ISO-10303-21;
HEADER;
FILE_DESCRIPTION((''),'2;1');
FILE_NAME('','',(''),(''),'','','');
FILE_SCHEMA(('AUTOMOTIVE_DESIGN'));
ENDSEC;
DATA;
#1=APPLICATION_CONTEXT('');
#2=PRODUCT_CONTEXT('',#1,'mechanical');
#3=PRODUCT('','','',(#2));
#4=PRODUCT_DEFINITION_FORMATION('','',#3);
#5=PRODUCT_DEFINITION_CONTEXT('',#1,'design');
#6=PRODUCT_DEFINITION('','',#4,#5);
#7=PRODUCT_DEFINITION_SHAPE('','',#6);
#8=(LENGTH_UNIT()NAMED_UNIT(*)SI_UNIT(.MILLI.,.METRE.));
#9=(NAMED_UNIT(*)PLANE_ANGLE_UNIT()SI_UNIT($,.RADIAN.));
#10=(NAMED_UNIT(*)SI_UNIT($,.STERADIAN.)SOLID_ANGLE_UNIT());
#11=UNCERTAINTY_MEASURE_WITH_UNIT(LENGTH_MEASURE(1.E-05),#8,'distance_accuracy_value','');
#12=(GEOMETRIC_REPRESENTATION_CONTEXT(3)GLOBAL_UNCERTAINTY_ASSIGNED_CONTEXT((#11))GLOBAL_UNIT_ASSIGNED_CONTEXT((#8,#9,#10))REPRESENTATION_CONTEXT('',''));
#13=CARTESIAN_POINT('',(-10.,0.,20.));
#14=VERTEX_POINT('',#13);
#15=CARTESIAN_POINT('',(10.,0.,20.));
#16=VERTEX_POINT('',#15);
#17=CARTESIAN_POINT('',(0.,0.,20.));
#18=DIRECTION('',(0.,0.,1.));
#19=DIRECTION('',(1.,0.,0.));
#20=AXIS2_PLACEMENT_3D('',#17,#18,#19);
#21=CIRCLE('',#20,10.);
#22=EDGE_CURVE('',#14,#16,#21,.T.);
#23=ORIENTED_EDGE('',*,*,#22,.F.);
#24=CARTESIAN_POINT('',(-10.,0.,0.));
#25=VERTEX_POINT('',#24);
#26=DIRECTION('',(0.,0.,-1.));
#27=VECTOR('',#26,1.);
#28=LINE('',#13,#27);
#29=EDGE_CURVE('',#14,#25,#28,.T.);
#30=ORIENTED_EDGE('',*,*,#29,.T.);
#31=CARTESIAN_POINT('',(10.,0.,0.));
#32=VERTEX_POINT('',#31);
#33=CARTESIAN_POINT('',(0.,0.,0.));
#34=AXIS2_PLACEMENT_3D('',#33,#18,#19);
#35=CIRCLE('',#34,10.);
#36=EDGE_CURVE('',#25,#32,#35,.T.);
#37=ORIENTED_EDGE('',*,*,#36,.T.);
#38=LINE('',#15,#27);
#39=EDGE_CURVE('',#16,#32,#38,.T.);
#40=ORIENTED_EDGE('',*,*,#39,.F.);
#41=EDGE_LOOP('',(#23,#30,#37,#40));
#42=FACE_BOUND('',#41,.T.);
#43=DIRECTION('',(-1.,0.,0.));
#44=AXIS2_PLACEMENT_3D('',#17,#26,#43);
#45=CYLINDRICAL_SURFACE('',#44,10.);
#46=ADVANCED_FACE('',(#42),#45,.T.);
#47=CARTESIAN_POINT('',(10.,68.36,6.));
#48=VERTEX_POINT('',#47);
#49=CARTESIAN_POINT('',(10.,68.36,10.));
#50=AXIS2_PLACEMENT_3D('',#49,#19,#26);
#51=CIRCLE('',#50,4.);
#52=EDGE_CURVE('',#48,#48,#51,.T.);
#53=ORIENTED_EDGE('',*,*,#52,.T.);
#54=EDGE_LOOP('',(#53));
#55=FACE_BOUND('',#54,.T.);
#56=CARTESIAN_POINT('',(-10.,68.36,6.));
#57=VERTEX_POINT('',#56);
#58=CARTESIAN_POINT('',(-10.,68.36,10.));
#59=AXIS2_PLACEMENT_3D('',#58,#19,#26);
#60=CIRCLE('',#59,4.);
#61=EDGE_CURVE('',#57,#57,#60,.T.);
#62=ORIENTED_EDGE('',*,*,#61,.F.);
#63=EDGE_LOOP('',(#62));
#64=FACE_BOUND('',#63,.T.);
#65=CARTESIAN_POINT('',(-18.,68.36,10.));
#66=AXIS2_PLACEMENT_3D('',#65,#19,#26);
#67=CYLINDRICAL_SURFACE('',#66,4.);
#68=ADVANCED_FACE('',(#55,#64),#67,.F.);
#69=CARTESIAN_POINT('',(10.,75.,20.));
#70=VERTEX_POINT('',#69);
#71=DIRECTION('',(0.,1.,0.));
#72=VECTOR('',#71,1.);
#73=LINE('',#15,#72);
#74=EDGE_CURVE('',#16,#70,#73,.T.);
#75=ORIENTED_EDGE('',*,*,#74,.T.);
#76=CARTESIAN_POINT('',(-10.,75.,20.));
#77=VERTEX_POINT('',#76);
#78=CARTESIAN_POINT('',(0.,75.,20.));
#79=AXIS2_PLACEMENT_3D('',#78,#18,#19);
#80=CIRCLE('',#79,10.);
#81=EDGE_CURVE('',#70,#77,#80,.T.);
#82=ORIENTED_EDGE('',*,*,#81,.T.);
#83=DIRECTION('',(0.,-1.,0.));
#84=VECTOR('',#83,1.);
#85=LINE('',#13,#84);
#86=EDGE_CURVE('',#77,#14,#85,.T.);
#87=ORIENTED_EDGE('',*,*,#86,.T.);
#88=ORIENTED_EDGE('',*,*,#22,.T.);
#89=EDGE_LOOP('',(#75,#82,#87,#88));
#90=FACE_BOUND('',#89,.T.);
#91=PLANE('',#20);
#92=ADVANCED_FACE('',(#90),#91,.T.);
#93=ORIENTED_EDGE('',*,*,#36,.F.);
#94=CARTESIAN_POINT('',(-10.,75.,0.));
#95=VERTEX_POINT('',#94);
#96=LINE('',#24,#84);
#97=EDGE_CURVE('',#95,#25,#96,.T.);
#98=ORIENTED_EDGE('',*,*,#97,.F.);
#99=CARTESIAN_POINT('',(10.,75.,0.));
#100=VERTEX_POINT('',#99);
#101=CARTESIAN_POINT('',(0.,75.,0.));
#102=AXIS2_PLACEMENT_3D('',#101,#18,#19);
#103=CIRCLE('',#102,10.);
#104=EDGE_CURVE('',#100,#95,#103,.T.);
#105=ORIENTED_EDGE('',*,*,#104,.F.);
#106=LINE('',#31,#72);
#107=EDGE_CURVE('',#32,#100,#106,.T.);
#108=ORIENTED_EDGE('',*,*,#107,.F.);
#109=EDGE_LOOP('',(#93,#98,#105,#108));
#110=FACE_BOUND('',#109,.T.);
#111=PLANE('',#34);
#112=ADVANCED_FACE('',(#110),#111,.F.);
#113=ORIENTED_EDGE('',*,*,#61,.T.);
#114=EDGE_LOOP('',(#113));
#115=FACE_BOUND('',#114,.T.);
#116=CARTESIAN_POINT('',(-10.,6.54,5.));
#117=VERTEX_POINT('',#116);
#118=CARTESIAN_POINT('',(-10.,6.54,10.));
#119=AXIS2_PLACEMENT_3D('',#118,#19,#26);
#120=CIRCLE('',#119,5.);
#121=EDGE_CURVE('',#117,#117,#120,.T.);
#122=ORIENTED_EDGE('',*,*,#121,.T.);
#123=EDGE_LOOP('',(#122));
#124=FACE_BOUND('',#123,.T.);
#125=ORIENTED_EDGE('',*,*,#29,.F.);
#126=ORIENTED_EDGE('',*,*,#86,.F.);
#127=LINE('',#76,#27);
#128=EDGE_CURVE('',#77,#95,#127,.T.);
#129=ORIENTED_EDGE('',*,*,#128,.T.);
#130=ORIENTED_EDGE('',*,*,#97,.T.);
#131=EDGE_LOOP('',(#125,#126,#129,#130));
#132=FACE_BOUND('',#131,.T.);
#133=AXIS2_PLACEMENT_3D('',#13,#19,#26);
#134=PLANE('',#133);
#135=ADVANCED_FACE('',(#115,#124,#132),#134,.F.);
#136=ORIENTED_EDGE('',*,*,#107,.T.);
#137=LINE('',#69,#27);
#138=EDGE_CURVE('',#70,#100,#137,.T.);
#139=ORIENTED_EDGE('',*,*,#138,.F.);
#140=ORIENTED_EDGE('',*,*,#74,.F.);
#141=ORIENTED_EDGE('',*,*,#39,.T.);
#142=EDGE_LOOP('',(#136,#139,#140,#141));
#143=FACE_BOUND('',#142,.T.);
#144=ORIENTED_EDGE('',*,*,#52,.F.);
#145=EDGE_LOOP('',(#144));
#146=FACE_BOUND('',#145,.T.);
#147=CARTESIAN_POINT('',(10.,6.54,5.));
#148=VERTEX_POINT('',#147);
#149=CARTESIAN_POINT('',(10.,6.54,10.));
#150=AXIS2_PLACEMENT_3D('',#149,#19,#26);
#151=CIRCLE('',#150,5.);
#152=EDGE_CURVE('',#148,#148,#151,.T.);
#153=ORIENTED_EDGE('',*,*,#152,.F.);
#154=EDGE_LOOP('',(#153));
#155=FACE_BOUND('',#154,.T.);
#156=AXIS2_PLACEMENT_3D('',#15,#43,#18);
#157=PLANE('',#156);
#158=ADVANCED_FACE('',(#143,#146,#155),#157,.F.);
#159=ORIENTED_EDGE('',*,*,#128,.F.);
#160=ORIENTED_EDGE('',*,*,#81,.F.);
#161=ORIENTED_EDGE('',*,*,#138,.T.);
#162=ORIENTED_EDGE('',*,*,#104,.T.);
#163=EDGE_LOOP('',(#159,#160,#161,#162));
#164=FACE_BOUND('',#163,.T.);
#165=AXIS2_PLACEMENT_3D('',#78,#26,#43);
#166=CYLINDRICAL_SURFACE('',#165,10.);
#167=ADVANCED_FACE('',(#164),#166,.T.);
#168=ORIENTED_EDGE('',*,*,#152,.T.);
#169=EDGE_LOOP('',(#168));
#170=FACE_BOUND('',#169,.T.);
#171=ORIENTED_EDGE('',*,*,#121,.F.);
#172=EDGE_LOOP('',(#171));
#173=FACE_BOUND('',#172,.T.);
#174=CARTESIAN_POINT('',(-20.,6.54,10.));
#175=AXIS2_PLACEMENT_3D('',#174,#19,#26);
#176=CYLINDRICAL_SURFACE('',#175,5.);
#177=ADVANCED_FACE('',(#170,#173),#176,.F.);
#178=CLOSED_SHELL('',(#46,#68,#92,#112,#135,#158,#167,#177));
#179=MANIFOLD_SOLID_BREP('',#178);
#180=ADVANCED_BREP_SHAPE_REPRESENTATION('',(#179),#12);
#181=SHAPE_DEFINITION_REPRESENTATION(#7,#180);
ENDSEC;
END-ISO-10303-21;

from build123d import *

# Parameters (mm, degrees)
SKETCH2_R           = 5
BOSS_EXTRUDE1_DEPTH = 20
SKETCH4_R           = 4
CUT_EXTRUDE1_DEPTH  = 28
SKETCH5_R           = 5
CUT_EXTRUDE2_DEPTH  = 30
BOSS_EXTRUDE2_START = -20
SKETCH12_R          = 5
BOSS_EXTRUDE2_DEPTH = 20
SKETCH13_R          = 5
CUT_EXTRUDE3_DEPTH  = 20


with BuildPart() as part:
    # Sketch2 → Boss-Extrude1 (new body)
    with BuildSketch(Plane.XY):
        with BuildLine():
            Line((-10, 0), (-10, 75))
            ThreePointArc((-10, 75), (0, 85), (10, 75))
            Line((10, 75), (10, 0))
            ThreePointArc((10, 0), (0, -10), (-10, 0))
        make_face()
        Circle(SKETCH2_R, mode=Mode.SUBTRACT)
    extrude(amount=BOSS_EXTRUDE1_DEPTH)

    # Sketch4 → Cut-Extrude1 (cut)
    with BuildSketch(Plane(origin=(10, 0, 0), x_dir=(0, 0, -1), z_dir=(1, 0, 0))):
        with Locations((-10, 68.36)):
            Circle(SKETCH4_R)
    extrude(amount=-CUT_EXTRUDE1_DEPTH, mode=Mode.SUBTRACT)

    # Sketch5 → Cut-Extrude2 (cut)
    with BuildSketch(Plane(origin=(10, 0, 0), x_dir=(0, 0, -1), z_dir=(1, 0, 0))):
        with Locations((-10, 6.54)):
            Circle(SKETCH5_R)
    extrude(amount=-CUT_EXTRUDE2_DEPTH, mode=Mode.SUBTRACT)

    # Sketch12 → Boss-Extrude2 (add)
    with BuildSketch(Plane.XY.offset(20).offset(BOSS_EXTRUDE2_START)):
        Circle(SKETCH12_R)
    extrude(amount=BOSS_EXTRUDE2_DEPTH)

    # Sketch13 → Cut-Extrude3 (cut)
    with BuildSketch(Plane(origin=(10, 0, 0), x_dir=(0, 0, -1), z_dir=(1, 0, 0))):
        with Locations((-10, 6.54)):
            Circle(SKETCH13_R)
    extrude(amount=-CUT_EXTRUDE3_DEPTH, mode=Mode.SUBTRACT)


solid = part.part
